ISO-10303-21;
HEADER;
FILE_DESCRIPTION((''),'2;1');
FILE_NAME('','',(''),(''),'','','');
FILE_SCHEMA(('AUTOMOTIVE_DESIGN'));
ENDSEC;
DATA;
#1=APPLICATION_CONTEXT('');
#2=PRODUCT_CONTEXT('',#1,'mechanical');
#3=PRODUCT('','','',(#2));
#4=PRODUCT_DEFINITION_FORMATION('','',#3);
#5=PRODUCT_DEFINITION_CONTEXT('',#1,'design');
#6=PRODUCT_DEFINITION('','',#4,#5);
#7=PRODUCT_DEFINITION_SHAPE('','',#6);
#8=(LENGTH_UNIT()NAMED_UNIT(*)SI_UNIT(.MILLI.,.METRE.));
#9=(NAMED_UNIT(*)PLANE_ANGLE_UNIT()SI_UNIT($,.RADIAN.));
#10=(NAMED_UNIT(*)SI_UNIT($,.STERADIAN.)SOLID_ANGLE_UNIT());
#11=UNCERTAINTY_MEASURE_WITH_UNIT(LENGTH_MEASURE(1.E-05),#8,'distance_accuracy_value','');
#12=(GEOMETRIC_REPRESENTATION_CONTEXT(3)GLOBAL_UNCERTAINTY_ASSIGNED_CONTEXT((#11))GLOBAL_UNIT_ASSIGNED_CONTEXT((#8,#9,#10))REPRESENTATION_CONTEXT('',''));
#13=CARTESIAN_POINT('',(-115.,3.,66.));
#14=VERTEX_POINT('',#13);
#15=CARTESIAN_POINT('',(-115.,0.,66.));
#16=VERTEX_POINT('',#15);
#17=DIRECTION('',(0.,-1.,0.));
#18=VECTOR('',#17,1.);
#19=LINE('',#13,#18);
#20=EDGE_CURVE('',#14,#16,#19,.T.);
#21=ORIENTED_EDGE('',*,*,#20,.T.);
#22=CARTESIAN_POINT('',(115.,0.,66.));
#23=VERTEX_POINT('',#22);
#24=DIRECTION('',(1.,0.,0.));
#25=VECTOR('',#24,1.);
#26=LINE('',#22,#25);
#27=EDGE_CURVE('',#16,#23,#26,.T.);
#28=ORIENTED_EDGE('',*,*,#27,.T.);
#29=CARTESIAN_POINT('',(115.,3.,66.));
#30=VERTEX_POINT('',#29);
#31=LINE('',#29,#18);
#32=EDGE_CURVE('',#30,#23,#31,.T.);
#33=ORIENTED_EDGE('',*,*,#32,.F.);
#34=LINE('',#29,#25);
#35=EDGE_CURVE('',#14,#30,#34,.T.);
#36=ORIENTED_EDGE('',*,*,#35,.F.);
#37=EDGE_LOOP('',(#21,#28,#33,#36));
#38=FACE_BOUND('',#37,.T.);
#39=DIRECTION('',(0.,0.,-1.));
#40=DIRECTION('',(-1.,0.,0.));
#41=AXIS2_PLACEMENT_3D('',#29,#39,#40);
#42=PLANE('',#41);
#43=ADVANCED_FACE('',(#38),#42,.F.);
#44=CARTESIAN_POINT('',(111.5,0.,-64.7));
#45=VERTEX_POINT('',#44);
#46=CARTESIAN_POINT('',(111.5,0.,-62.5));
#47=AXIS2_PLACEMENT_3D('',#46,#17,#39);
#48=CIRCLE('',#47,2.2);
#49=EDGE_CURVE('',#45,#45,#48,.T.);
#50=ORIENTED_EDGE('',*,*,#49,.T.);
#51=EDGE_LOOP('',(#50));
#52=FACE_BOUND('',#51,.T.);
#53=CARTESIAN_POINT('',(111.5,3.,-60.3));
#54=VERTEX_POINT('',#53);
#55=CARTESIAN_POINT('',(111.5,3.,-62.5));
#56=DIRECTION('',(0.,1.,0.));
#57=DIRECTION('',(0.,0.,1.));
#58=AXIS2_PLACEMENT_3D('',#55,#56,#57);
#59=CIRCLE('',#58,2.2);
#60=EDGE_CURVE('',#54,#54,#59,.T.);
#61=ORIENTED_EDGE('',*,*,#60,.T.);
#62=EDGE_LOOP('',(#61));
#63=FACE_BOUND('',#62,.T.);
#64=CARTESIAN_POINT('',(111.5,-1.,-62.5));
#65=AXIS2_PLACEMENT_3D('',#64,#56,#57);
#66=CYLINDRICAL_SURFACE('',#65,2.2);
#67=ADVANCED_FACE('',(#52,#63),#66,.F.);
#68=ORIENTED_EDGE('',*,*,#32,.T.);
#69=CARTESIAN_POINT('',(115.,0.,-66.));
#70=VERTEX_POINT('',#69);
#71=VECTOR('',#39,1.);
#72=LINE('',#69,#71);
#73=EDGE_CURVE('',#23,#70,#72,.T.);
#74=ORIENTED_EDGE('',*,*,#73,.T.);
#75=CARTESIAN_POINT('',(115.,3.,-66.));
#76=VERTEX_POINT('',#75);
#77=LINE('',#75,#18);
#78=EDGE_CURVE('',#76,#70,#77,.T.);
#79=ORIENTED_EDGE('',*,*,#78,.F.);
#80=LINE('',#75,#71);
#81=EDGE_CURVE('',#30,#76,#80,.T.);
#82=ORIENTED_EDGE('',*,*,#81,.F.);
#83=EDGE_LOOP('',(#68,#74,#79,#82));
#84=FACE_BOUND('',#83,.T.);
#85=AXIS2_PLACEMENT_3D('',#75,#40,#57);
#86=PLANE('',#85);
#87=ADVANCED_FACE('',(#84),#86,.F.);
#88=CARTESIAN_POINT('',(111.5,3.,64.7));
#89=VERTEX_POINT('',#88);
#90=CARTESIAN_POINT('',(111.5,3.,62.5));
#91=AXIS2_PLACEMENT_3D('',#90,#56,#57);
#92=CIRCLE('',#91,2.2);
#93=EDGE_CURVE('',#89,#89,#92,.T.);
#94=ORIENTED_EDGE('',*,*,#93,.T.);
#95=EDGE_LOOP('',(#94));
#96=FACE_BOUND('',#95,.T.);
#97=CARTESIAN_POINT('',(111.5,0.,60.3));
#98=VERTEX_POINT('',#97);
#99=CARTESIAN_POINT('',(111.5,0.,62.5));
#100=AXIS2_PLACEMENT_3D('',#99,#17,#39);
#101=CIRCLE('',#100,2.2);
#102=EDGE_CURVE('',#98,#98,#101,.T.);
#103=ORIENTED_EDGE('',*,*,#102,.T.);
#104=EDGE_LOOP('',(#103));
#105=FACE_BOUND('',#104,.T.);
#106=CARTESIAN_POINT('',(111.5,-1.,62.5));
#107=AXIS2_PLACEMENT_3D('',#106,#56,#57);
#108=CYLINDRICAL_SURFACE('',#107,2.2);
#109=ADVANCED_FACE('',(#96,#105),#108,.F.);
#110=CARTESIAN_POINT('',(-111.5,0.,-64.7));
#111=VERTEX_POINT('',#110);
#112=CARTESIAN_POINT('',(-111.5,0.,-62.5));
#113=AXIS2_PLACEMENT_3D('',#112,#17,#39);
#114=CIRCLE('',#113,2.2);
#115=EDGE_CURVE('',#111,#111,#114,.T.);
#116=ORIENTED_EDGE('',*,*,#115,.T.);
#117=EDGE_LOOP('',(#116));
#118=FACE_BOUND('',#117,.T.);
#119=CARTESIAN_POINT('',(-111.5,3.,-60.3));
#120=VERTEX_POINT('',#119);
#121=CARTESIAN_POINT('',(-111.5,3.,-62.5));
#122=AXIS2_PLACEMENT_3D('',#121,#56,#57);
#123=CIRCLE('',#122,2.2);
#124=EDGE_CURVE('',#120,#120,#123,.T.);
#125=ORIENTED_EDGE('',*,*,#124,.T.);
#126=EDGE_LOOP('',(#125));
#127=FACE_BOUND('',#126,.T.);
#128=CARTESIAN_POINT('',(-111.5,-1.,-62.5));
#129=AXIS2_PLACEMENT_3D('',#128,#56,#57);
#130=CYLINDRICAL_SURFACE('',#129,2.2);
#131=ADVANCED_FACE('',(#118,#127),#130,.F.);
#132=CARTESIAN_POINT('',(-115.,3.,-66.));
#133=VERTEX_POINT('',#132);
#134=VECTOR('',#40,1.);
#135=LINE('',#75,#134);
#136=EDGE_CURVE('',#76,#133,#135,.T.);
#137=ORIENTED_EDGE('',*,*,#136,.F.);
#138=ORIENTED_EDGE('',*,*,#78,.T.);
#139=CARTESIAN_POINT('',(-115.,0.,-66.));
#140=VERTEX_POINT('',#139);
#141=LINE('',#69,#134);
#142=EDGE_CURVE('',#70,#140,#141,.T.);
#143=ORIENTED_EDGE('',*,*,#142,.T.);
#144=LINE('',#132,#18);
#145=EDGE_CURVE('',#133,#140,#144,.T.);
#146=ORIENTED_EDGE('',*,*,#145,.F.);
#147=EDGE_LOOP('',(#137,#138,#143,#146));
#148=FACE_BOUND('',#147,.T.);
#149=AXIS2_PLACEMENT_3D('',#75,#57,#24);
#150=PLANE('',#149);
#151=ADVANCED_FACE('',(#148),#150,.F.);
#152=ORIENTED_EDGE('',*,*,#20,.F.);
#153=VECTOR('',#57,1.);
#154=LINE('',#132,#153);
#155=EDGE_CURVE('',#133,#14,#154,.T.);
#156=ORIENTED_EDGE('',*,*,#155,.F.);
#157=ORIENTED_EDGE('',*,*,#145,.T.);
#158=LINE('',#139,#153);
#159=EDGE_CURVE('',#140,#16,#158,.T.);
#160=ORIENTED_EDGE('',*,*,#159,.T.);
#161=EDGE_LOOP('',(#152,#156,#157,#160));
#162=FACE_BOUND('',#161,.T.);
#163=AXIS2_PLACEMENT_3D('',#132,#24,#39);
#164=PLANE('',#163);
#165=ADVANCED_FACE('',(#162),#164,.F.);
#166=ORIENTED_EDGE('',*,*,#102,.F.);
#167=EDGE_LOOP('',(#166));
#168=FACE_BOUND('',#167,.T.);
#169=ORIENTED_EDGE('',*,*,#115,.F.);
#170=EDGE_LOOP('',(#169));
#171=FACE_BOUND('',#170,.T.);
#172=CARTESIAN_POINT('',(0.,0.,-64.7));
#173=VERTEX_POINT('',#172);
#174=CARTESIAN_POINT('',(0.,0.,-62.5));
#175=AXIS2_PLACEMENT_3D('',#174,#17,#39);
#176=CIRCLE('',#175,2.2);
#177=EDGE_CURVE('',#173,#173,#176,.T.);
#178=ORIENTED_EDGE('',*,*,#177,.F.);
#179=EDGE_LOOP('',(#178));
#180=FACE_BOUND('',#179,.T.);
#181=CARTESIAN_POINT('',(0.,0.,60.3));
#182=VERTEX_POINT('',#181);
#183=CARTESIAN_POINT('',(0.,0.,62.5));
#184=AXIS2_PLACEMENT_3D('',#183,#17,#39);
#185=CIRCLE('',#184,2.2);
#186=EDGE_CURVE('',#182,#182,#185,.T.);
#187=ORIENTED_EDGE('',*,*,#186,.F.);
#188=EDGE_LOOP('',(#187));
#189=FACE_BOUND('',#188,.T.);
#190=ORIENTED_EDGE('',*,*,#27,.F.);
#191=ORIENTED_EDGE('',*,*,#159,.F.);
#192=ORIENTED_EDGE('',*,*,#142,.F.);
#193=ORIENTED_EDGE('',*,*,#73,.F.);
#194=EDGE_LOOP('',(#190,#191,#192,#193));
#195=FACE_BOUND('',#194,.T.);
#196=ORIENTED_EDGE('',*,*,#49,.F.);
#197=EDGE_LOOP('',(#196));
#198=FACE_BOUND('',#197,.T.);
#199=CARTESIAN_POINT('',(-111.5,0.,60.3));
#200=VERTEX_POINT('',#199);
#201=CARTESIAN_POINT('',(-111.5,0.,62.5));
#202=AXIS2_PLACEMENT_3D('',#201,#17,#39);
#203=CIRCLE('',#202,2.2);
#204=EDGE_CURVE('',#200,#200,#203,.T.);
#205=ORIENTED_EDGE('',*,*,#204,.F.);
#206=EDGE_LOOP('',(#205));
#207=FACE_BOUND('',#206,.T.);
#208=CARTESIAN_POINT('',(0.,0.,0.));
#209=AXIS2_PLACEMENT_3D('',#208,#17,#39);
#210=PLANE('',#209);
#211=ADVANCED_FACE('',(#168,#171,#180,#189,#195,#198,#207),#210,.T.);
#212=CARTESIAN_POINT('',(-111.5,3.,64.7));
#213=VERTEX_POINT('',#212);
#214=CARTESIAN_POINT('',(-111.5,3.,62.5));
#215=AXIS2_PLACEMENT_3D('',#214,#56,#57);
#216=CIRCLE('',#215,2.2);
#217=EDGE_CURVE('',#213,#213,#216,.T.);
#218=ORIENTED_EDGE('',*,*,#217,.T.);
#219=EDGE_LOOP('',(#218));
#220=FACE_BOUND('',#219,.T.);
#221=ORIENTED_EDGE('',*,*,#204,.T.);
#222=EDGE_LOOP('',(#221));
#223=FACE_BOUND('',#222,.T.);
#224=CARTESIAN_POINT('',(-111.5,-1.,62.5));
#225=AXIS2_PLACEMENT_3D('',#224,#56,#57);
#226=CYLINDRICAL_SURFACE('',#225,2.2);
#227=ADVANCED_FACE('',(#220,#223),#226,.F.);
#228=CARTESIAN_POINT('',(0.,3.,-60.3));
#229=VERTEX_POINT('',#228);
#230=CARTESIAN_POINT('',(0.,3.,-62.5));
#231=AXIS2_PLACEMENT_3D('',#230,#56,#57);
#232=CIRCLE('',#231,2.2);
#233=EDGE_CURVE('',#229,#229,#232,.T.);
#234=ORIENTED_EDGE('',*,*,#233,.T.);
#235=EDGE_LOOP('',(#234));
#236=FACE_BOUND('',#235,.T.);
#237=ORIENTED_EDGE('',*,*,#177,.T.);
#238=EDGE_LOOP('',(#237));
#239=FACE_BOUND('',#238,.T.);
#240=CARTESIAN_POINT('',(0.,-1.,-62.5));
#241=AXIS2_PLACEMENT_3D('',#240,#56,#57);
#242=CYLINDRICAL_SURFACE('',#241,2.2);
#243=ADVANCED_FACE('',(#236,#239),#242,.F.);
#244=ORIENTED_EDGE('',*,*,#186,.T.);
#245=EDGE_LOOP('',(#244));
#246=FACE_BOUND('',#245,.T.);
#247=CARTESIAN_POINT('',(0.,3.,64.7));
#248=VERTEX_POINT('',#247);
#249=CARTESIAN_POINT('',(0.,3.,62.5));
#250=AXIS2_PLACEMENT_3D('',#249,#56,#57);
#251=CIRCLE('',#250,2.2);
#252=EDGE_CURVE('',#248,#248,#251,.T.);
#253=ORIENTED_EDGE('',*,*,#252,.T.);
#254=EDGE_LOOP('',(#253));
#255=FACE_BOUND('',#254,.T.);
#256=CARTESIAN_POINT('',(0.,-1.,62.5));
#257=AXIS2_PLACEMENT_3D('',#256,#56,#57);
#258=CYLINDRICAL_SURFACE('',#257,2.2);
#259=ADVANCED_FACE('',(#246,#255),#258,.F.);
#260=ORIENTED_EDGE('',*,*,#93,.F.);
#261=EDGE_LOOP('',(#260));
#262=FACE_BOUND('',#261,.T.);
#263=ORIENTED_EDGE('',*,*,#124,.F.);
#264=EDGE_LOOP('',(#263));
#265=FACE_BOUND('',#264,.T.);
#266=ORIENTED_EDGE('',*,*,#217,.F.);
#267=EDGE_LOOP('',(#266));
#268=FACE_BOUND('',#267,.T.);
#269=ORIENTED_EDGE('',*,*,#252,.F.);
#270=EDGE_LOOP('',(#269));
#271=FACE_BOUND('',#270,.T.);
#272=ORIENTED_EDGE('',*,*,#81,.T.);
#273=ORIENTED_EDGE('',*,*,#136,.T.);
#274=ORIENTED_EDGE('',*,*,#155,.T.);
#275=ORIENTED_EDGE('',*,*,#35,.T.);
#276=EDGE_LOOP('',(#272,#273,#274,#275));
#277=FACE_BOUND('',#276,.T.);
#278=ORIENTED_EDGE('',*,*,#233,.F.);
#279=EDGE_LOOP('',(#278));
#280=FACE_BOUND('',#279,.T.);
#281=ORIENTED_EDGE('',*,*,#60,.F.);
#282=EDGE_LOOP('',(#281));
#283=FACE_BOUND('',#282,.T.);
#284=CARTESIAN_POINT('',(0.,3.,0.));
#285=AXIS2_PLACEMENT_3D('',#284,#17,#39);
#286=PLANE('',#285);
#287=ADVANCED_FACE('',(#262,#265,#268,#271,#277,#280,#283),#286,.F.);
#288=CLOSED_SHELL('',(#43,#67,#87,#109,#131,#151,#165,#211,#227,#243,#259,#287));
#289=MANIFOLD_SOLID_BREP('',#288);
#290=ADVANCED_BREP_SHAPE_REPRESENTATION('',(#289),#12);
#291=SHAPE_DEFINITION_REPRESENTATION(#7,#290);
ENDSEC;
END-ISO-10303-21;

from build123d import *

# Parameters (mm, degrees)
SKETCH_1_W          = 230
SKETCH_1_H          = 132
EXTRUDE_1_DEPTH     = 3
SKETCH_2_R          = 2.2
CUT_EXTRUDE_1_DEPTH = 4


with BuildPart() as part:
    # 草图1 → 凸台-拉伸1 (new body)
    with BuildSketch(Plane(origin=(0, 0, 0), x_dir=(1, 0, 0), z_dir=(0, 1, 0))):
        Rectangle(SKETCH_1_W, SKETCH_1_H)
    extrude(amount=EXTRUDE_1_DEPTH)

    # 草图2 → 切除-拉伸1 (cut)
    with BuildSketch(Plane(origin=(0, 3, 0), x_dir=(1, 0, 0), z_dir=(0, 1, 0))):
        with Locations((-111.5, 62.5)):
            Circle(SKETCH_2_R)
        with Locations((0, 62.5)):
            Circle(SKETCH_2_R)
        with Locations((111.5, 62.5)):
            Circle(SKETCH_2_R)
        with Locations((111.5, -62.5)):
            Circle(SKETCH_2_R)
        with Locations((0, -62.5)):
            Circle(SKETCH_2_R)
        with Locations((-111.5, -62.5)):
            Circle(SKETCH_2_R)
    extrude(amount=-CUT_EXTRUDE_1_DEPTH, mode=Mode.SUBTRACT)


solid = part.part
